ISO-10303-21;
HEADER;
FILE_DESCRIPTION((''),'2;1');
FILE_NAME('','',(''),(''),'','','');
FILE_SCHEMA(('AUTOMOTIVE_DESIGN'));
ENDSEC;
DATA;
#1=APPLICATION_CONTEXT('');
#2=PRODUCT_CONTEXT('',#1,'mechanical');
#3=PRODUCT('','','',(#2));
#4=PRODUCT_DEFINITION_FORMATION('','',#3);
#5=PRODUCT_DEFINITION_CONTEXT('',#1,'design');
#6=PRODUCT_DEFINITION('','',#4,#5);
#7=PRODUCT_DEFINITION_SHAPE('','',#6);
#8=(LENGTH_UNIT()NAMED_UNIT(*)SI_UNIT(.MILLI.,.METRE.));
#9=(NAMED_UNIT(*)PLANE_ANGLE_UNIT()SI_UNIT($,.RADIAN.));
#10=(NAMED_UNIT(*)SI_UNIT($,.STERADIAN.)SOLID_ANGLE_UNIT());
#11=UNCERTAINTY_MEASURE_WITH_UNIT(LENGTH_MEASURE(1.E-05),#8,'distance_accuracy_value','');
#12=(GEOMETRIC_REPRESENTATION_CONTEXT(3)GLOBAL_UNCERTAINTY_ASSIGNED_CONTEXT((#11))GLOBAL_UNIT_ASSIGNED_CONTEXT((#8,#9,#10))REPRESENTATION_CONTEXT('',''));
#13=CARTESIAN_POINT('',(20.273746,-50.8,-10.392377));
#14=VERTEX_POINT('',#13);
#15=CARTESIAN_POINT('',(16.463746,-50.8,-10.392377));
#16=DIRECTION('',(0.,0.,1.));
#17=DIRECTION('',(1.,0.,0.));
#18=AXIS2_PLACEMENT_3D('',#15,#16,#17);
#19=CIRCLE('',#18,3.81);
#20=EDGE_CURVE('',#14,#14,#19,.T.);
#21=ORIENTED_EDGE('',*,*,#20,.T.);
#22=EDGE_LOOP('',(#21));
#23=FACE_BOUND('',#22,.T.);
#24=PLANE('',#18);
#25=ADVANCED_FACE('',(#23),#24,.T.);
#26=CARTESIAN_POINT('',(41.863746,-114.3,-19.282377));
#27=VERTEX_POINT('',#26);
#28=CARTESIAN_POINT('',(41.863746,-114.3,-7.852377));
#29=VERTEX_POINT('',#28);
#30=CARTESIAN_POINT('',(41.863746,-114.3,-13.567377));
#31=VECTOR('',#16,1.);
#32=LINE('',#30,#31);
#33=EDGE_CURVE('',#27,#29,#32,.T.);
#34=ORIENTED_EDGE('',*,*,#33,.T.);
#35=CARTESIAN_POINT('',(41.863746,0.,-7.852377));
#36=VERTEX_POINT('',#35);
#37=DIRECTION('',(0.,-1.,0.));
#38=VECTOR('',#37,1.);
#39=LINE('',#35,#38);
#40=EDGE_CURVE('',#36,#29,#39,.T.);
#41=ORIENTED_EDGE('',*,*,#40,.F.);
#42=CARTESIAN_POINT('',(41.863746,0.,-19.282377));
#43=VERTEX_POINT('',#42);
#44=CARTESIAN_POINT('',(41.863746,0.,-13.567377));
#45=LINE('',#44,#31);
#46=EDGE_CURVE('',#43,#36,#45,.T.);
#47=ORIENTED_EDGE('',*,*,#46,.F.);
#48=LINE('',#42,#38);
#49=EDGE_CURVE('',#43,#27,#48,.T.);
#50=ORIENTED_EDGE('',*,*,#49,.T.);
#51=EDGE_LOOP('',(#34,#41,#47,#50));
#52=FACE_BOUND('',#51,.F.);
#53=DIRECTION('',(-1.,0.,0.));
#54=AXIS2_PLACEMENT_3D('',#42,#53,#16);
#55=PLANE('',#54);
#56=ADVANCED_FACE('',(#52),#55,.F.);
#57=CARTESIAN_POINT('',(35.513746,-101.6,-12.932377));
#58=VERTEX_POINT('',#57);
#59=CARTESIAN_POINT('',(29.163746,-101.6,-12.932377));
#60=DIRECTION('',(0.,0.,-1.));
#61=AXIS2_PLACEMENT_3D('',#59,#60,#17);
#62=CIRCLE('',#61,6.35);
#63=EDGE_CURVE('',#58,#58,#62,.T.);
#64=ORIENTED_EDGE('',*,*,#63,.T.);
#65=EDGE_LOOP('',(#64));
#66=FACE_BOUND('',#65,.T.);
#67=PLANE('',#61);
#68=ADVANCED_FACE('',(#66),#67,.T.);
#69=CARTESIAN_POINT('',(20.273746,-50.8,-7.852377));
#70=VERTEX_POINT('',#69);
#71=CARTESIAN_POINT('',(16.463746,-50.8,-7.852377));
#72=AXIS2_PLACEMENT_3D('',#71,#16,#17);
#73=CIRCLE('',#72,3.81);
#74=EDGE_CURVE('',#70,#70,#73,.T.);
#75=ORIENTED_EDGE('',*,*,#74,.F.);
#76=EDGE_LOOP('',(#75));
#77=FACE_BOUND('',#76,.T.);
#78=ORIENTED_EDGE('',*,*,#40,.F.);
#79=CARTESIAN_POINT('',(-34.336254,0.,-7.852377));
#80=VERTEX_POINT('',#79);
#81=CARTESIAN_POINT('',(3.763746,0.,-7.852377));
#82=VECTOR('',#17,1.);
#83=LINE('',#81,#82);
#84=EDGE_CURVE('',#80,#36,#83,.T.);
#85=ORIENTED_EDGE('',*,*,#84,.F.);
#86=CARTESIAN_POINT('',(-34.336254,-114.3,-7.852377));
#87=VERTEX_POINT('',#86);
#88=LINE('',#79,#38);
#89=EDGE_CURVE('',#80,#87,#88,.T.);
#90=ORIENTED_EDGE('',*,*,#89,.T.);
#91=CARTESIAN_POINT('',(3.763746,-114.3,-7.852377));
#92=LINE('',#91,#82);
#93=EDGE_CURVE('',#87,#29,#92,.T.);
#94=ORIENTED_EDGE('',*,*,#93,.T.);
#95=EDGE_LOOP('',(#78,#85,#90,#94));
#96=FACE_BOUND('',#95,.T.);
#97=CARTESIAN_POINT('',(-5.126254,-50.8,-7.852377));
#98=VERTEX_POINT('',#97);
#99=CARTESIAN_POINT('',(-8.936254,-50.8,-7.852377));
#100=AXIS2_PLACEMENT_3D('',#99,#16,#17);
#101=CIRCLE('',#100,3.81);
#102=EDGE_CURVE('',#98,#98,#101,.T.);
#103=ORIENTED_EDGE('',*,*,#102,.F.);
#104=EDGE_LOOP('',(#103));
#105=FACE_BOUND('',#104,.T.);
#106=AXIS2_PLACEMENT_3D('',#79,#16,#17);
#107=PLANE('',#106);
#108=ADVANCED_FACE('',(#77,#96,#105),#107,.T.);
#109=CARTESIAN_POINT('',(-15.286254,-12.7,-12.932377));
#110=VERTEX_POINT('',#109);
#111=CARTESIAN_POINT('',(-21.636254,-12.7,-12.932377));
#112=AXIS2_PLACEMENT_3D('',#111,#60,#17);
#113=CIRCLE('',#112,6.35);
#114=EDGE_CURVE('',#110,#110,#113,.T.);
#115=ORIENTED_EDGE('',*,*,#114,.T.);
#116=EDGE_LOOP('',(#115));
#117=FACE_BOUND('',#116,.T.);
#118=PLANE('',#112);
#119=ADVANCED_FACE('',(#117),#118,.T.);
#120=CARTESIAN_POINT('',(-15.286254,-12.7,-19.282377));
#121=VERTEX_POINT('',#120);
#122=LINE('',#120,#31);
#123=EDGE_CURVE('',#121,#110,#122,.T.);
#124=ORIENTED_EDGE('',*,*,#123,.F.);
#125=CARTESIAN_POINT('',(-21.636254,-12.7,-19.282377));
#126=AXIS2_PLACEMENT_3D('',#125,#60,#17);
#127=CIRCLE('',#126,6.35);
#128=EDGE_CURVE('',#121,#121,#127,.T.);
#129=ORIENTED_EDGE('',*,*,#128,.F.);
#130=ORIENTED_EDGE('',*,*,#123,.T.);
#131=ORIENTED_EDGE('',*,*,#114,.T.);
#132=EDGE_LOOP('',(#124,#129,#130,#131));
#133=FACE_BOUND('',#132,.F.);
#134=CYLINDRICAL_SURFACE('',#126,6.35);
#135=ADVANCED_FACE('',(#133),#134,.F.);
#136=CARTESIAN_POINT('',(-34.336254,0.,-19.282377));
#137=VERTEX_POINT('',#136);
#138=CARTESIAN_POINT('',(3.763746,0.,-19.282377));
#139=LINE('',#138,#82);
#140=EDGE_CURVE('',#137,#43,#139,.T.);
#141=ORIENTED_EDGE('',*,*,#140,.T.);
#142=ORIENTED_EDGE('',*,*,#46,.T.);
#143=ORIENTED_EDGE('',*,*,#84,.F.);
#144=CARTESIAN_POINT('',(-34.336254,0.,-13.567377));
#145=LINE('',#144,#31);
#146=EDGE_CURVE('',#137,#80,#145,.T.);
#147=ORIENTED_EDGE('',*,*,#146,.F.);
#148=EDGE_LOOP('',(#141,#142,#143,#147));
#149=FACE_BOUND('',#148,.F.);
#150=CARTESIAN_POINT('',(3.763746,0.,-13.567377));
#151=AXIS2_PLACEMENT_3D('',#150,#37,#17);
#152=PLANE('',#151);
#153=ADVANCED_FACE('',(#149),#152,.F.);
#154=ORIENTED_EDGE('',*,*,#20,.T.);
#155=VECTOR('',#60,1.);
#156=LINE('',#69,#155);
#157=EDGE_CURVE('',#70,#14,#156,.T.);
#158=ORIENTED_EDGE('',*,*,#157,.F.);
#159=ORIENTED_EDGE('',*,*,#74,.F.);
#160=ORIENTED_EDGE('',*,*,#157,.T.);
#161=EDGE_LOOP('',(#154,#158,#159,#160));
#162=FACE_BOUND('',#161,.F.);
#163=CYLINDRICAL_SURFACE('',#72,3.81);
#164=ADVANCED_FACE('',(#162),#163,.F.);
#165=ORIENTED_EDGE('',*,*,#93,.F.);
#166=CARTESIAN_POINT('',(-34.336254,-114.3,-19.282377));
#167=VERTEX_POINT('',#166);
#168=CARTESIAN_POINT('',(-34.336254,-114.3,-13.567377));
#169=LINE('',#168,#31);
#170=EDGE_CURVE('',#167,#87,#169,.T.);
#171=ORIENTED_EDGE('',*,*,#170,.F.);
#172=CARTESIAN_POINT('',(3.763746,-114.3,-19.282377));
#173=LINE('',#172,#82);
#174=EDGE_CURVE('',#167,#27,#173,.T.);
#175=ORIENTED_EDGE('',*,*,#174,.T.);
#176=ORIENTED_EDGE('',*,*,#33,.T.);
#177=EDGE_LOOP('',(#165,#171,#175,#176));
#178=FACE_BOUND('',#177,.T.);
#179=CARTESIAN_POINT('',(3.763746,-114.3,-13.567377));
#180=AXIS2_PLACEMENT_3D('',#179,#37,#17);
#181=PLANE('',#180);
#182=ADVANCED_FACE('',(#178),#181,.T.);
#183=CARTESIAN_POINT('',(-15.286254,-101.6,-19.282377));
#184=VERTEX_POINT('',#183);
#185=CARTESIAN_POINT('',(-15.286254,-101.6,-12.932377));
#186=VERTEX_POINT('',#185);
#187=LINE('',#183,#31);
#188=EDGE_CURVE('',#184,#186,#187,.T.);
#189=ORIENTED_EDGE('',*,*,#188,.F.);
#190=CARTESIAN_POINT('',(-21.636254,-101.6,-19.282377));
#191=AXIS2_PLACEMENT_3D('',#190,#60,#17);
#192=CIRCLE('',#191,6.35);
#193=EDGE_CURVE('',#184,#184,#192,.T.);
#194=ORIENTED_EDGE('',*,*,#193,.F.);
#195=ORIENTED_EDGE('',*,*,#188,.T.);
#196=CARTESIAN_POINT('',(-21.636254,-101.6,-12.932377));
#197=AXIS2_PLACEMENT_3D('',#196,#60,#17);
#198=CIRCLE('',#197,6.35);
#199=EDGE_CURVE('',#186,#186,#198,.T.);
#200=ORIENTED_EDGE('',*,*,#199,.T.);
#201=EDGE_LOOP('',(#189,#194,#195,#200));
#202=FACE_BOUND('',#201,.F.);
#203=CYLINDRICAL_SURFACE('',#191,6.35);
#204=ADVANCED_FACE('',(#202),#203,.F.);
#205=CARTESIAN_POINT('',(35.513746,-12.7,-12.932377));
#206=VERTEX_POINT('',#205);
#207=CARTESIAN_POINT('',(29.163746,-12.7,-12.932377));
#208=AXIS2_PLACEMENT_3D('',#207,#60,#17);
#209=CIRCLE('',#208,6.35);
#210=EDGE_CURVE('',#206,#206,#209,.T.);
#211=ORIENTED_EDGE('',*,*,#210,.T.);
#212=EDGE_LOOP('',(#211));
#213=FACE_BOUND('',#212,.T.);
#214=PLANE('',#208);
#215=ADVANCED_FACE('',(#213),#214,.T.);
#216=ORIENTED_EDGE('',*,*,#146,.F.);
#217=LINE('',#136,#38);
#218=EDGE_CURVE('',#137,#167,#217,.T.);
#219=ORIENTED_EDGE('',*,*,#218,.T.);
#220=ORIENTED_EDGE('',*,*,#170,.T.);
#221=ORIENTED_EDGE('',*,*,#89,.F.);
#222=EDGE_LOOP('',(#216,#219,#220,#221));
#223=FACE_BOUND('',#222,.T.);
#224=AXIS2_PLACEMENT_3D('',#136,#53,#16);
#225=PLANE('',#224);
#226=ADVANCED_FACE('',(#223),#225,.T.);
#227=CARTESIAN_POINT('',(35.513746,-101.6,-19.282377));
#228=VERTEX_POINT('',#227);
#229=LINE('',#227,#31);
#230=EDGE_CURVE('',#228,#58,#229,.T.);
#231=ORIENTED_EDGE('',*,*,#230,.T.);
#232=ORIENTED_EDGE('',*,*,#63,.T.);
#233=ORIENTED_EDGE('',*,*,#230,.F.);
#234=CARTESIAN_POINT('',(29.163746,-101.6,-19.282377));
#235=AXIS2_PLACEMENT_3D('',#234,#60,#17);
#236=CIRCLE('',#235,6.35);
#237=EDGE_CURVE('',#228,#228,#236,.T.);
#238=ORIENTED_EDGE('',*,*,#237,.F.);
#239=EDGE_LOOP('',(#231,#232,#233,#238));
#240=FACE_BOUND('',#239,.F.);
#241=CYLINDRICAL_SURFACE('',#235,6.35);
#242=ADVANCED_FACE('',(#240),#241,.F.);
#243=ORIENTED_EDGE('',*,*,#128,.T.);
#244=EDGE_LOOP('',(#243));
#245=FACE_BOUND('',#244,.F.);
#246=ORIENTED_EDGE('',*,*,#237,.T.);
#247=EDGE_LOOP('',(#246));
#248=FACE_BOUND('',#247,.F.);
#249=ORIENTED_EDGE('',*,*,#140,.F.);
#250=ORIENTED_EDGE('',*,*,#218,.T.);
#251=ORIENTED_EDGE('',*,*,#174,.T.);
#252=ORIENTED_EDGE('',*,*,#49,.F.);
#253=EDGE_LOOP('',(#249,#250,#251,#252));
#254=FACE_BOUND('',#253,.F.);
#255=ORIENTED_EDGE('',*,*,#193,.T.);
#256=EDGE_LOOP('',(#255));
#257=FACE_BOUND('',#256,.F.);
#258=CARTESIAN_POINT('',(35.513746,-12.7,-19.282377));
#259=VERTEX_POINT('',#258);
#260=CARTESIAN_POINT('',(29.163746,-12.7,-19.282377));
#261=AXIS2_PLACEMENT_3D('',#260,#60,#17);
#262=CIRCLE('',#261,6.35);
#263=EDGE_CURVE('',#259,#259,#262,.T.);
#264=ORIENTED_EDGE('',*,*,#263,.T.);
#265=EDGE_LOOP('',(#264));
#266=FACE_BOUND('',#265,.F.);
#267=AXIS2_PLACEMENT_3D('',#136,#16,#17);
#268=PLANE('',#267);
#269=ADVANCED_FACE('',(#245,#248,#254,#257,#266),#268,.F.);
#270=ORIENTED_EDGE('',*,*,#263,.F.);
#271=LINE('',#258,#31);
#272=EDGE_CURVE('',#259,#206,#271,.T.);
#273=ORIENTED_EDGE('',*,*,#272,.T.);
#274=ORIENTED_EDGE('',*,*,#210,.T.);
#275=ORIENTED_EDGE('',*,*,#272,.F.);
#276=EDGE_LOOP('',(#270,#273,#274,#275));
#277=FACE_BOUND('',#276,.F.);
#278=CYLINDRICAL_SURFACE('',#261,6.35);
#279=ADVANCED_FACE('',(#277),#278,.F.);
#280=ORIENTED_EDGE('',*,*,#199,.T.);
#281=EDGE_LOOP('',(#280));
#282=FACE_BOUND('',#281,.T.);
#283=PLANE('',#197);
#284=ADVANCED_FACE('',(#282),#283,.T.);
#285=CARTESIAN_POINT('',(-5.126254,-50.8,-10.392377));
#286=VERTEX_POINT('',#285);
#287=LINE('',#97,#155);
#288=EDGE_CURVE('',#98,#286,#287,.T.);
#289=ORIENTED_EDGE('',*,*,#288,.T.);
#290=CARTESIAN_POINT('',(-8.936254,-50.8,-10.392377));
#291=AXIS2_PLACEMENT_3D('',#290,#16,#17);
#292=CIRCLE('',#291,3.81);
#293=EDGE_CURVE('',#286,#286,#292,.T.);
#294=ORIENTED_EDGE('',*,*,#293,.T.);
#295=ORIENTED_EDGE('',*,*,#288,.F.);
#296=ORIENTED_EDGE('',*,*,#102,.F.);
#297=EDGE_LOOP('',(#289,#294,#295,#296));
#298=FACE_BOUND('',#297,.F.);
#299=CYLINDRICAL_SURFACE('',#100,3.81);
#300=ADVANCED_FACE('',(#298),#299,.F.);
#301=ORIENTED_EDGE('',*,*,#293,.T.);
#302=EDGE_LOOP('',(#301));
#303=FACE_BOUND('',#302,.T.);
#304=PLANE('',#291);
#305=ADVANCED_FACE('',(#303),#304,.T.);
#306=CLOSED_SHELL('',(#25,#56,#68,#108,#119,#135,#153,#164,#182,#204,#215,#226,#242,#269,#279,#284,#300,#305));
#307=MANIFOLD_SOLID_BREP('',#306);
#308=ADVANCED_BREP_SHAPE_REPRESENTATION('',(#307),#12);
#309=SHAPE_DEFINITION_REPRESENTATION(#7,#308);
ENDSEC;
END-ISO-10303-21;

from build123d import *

# Parameters (mm, degrees)
F0_W     = 76.2
F0_H     = 11.43
F1_DEPTH = 114.3
F2_R     = 6.35
F3_DEPTH = 6.35
F4_R     = 3.81
F5_DEPTH = 2.54


with BuildPart() as f1:
    # F0 (on Front) → F1 (new body)
    with BuildSketch(Plane.XZ):
        with Locations((3.763746, -13.567377)):
            Rectangle(F0_W, F0_H)
    extrude(amount=F1_DEPTH)

    # F2 (on face) → F3 (cut)
    with BuildSketch(Plane(origin=(0, 0, -19.282377), x_dir=(1, 0, 0), z_dir=(0, 0, -1))):
        with Locations((-21.636254, 101.6)):
            Circle(F2_R)
        with Locations((29.163746, 101.6)):
            Circle(F2_R)
        with Locations((29.163746, 12.7)):
            Circle(F2_R)
        with Locations((-21.636254, 12.7)):
            Circle(F2_R)
    extrude(amount=-F3_DEPTH, mode=Mode.SUBTRACT)

    # F4 (on face) → F5 (cut)
    with BuildSketch(Plane.XY.offset(-7.852377)):
        with Locations((16.463746, -50.8)):
            Circle(F4_R)
        with Locations((-8.936254, -50.8)):
            Circle(F4_R)
    extrude(amount=-F5_DEPTH, mode=Mode.SUBTRACT)


solid = f1.part
